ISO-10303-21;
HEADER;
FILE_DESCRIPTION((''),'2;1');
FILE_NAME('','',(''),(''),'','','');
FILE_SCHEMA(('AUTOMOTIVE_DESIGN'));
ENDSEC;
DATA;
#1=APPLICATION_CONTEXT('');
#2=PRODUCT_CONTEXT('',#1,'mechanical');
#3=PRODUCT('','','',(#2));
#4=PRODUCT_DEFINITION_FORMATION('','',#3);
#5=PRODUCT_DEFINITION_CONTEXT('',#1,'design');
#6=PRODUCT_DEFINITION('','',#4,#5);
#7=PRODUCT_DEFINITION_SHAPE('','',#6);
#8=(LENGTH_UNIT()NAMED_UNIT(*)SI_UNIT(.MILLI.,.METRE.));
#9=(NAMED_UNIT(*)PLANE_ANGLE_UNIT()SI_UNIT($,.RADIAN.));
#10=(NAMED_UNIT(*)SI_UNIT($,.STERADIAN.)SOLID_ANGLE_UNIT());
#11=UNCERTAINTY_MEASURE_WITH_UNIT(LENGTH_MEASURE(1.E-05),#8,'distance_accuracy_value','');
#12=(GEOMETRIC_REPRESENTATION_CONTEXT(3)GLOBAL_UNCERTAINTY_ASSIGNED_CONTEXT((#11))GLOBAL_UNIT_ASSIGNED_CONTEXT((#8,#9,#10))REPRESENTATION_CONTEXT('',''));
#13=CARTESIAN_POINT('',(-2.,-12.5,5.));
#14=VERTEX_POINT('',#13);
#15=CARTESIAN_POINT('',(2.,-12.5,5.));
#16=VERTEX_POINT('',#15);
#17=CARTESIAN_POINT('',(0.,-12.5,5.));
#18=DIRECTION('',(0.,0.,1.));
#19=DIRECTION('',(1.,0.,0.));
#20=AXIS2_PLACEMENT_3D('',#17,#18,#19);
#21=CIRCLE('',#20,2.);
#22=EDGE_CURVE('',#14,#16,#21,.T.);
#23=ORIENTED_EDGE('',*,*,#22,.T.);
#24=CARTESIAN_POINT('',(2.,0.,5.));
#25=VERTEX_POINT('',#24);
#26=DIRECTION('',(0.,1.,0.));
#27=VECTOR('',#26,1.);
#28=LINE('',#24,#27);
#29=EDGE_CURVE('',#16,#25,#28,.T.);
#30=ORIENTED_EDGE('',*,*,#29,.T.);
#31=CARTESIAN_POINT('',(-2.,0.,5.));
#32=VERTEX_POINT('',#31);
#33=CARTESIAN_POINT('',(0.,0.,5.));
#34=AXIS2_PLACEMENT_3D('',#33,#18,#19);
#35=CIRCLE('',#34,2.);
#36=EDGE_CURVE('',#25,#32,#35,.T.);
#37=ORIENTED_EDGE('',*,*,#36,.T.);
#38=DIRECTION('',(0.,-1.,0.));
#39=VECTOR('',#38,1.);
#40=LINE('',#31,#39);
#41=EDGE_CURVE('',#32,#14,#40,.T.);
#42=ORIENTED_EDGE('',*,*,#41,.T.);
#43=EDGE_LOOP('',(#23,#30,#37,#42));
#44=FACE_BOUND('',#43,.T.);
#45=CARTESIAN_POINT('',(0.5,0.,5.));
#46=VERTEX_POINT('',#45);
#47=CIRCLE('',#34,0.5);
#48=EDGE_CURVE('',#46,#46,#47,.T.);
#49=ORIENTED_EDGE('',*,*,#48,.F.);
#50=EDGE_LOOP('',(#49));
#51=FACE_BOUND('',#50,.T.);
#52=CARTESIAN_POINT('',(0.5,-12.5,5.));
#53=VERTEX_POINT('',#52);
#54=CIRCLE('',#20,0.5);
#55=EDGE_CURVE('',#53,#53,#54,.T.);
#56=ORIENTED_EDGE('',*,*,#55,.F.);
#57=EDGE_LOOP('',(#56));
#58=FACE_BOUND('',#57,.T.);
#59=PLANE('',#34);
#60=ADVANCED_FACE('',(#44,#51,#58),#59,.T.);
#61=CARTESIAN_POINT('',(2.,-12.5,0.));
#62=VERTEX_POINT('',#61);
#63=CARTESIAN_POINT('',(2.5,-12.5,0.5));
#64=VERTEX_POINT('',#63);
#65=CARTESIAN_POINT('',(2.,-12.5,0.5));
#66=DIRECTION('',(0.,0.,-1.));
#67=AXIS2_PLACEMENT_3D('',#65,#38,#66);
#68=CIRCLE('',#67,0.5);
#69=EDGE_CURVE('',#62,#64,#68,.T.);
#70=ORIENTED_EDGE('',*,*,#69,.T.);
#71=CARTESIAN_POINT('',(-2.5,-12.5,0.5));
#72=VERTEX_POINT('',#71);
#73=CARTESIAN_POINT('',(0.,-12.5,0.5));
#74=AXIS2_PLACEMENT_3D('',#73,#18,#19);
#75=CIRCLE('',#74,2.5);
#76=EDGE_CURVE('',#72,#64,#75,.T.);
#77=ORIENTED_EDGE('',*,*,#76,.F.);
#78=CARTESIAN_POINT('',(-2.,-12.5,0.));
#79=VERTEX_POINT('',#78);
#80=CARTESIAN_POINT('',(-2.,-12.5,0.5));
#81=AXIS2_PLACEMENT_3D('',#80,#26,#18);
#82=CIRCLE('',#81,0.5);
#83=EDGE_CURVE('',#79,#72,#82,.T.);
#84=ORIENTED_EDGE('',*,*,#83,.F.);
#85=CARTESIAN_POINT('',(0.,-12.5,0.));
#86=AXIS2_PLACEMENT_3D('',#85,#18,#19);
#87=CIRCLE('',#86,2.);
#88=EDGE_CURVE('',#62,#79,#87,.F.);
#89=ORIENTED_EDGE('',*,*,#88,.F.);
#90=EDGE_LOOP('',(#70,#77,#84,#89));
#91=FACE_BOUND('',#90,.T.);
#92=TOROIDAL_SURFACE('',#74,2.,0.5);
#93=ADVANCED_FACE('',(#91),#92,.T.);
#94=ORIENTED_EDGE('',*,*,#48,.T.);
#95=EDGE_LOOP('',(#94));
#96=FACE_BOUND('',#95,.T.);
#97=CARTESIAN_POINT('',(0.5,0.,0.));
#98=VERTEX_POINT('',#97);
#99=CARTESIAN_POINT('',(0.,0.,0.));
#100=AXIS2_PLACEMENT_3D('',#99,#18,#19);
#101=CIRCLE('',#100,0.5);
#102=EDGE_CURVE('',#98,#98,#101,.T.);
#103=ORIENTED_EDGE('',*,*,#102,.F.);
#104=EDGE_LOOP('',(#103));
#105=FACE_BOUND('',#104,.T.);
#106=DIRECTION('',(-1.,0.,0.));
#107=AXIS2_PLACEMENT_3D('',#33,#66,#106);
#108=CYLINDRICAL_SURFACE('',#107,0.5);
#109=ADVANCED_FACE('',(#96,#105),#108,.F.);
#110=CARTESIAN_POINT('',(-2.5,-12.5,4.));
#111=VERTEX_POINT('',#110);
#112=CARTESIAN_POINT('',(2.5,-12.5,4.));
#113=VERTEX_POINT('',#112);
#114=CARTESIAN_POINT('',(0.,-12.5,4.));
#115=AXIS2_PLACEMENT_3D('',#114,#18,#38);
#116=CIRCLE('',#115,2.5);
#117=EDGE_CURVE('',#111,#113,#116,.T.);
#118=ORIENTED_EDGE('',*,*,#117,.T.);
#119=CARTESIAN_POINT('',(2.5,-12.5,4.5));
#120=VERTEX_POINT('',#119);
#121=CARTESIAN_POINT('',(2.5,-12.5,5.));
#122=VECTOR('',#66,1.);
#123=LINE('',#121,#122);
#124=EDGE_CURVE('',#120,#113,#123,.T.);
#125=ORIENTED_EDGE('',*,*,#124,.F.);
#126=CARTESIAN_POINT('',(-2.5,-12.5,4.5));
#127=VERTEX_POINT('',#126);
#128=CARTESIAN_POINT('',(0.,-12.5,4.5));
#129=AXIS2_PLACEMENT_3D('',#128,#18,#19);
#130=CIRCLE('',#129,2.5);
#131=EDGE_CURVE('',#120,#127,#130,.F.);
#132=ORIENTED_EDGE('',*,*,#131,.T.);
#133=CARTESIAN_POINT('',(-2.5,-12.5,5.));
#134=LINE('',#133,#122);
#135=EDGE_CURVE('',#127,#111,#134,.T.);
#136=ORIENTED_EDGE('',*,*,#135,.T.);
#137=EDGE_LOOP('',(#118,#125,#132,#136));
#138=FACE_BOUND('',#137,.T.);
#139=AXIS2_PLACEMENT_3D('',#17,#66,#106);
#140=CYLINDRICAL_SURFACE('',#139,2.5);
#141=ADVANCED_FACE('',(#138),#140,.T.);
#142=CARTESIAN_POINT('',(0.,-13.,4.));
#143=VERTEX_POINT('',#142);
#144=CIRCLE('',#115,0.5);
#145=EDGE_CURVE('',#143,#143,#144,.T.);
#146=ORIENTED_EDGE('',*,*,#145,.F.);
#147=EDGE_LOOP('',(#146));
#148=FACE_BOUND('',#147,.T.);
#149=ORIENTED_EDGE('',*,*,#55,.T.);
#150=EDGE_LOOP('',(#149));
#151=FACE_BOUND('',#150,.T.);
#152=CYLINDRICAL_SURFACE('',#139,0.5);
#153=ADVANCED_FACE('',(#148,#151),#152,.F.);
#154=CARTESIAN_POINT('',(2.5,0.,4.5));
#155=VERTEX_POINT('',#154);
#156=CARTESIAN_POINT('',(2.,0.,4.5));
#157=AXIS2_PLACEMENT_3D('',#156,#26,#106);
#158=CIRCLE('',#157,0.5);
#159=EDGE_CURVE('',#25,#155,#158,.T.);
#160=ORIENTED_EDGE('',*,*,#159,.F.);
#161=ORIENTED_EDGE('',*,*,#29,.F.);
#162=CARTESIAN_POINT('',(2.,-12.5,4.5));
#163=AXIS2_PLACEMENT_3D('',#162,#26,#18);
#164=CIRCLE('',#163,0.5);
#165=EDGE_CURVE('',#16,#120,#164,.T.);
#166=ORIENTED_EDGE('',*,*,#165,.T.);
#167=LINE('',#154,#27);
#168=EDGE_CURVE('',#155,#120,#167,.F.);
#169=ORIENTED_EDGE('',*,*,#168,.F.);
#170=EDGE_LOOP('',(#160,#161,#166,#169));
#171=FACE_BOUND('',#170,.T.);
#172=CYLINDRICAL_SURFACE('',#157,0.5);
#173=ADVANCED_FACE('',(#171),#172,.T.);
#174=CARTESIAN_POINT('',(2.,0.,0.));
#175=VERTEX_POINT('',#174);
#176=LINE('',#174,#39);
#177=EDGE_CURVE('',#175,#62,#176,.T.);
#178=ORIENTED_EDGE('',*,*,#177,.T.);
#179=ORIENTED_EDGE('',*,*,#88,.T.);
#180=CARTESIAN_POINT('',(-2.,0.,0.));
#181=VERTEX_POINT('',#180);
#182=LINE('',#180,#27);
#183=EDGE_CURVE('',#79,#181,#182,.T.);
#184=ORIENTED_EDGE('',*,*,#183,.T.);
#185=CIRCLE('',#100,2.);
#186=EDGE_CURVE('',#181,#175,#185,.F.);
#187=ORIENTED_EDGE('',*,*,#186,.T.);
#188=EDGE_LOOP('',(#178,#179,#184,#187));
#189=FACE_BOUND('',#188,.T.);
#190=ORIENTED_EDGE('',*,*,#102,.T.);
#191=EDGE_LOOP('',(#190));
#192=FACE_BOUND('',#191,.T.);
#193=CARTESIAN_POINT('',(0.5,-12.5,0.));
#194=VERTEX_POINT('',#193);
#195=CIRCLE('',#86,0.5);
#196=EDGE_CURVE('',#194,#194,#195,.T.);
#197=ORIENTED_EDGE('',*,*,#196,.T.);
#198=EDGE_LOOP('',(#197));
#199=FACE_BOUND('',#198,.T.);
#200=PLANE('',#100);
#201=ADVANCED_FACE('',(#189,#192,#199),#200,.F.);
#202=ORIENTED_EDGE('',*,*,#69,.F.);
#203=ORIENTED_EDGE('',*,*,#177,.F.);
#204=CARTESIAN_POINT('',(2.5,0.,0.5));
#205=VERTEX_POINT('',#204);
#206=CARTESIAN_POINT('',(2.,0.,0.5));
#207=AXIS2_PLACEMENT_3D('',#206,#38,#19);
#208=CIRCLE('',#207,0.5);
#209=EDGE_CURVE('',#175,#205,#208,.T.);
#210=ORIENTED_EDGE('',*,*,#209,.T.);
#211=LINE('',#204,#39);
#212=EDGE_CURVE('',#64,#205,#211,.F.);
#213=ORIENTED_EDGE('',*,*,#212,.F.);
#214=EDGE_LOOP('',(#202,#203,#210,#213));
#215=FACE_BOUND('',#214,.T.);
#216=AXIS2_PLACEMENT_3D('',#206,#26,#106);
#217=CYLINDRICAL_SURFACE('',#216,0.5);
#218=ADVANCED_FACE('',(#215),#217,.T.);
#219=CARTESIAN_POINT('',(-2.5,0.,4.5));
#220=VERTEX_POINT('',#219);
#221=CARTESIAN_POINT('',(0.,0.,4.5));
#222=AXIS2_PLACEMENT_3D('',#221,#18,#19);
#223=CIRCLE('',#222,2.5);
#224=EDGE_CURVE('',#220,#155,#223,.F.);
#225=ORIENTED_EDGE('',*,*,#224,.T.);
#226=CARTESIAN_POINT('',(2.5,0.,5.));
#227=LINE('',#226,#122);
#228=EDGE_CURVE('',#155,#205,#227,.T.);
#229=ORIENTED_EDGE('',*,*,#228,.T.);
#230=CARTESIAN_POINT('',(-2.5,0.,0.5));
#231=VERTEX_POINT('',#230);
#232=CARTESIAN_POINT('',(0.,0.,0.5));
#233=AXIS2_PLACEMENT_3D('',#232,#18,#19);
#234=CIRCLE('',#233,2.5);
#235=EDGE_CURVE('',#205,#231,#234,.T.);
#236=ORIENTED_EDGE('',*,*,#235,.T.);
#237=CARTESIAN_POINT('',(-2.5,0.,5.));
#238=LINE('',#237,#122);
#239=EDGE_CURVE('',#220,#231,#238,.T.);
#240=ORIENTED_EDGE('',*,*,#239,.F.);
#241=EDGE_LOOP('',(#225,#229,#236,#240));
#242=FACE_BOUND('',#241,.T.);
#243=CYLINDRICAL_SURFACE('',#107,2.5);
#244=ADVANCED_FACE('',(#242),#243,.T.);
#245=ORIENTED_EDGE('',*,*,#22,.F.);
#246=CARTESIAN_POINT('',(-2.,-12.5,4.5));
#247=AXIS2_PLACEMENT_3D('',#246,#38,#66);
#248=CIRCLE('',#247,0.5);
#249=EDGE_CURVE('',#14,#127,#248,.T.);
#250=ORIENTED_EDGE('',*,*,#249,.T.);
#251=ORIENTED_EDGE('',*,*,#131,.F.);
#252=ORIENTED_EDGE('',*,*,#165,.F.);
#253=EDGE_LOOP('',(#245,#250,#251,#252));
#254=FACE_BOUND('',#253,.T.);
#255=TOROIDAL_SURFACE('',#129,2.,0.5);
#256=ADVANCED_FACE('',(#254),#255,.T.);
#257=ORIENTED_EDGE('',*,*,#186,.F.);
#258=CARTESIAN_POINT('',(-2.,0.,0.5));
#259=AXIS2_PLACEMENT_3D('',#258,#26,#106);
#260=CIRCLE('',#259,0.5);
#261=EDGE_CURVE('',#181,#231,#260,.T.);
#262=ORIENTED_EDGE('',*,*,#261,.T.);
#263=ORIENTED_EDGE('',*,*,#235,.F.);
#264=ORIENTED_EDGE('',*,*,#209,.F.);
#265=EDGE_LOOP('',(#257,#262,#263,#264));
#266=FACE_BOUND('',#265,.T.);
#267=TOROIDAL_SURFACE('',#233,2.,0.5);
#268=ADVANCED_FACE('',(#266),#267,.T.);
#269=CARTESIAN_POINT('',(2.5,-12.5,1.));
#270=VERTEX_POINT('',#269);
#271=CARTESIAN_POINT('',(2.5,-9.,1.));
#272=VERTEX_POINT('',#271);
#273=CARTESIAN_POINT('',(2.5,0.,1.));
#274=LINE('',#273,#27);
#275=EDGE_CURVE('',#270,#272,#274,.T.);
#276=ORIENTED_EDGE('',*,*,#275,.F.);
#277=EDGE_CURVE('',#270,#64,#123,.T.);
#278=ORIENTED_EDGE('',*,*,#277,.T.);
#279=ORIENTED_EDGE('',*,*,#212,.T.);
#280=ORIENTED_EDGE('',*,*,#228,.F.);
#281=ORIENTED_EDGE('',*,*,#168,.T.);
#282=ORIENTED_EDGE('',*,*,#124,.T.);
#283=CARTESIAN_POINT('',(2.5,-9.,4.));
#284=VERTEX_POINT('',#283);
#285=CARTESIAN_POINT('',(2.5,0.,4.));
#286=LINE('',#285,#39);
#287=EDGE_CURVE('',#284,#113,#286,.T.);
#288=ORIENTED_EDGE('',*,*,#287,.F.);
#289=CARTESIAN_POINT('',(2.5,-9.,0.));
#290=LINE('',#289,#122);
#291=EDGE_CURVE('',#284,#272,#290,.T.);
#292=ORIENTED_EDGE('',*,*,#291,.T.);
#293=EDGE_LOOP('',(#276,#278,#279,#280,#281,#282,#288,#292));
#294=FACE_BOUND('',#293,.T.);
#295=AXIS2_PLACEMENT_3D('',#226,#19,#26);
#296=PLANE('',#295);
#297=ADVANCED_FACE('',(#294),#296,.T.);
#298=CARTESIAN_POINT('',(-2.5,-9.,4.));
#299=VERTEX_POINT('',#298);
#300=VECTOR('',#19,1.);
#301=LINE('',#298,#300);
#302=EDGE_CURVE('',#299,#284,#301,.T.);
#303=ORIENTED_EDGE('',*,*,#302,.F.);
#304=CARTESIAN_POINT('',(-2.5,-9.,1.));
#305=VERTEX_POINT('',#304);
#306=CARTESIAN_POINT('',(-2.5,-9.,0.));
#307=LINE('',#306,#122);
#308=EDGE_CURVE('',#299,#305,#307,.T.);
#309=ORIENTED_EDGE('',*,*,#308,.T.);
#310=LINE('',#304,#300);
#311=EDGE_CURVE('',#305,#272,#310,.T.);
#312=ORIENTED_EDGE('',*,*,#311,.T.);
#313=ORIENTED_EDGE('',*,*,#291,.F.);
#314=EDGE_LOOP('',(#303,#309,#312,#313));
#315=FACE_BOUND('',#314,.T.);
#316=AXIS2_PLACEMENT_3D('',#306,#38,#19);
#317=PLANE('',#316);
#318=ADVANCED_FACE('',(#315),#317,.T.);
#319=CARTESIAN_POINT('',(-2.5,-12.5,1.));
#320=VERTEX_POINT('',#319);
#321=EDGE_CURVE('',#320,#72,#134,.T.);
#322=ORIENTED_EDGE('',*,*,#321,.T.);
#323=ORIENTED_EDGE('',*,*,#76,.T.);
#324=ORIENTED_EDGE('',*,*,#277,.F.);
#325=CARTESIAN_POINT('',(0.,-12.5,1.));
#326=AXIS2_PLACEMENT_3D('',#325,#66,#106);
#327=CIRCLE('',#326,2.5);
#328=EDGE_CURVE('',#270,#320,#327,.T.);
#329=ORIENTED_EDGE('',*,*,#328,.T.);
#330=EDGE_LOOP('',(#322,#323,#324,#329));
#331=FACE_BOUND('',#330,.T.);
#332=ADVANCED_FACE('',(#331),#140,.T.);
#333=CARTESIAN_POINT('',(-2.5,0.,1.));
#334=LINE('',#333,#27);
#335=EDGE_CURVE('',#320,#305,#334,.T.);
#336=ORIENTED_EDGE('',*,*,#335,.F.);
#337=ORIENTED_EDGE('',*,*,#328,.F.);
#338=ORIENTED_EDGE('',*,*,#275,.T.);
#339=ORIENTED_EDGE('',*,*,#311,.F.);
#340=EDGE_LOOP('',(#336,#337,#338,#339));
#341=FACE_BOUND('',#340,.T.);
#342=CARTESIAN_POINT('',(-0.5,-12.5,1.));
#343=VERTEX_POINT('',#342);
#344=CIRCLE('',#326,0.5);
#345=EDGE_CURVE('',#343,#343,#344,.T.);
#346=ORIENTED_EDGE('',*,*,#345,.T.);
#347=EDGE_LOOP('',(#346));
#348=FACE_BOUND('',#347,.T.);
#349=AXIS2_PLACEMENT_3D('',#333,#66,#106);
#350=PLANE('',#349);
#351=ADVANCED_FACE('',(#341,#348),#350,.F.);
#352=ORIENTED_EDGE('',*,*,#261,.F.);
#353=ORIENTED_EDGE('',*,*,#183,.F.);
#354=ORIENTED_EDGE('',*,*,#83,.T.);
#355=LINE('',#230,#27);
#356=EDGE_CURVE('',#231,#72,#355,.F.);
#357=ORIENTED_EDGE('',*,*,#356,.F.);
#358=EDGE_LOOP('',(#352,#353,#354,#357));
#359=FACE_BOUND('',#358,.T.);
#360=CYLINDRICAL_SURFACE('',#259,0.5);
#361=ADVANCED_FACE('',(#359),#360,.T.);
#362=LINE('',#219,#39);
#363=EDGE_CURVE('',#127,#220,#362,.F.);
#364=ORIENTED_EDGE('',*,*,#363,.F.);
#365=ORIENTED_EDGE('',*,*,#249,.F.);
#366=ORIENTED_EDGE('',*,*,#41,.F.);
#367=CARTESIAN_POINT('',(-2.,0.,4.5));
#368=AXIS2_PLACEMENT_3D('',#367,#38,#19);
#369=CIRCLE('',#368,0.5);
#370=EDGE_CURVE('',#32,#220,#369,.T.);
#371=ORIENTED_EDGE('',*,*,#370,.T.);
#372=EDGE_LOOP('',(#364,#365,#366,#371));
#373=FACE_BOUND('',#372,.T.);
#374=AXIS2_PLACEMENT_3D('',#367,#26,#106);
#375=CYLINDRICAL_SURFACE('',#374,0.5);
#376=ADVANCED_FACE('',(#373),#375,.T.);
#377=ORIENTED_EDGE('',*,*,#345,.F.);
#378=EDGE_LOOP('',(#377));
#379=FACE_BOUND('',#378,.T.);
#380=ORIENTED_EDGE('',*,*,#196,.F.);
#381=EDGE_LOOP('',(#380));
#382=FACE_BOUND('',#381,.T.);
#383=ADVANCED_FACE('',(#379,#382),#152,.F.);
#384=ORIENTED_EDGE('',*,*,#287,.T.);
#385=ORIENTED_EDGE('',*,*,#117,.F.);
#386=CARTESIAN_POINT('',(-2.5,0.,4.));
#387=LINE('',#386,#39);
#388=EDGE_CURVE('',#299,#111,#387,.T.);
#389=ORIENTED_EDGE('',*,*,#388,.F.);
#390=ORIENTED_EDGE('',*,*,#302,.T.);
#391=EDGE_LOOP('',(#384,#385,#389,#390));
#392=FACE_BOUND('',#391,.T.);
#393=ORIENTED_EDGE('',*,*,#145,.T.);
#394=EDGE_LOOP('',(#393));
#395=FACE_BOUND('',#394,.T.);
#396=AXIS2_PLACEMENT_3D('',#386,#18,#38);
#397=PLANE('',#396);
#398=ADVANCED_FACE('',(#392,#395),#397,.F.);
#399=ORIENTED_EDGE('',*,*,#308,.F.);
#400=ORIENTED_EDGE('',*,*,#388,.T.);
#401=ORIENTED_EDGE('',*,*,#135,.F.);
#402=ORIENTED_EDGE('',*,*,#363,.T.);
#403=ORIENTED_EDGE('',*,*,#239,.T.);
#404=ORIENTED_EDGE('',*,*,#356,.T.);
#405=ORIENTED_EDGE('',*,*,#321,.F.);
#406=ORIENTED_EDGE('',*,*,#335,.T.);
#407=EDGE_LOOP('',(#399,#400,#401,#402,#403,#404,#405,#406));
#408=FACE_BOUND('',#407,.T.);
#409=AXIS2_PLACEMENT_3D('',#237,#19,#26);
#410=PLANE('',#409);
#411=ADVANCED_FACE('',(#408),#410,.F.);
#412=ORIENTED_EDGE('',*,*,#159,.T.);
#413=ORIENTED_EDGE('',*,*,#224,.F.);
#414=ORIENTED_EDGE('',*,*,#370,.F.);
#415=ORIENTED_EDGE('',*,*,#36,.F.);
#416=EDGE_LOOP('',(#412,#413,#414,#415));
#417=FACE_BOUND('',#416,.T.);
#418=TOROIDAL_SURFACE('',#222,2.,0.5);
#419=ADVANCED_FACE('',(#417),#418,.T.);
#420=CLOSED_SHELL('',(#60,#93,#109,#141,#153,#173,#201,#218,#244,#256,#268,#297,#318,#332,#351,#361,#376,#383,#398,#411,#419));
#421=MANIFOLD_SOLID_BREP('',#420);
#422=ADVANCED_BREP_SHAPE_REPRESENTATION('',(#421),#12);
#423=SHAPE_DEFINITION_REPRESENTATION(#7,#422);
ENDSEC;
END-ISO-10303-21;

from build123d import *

# Parameters (mm, degrees)
CROQUIS1_R              = 0.5
SALIENTE_EXTRUIR2_DEPTH = 5
CROQUIS3_W              = 3
CROQUIS3_H              = 3.5
CROQUIS3_H_2            = 3.121183209
CORTAR_EXTRUIR2_DEPTH   = 5
REDONDEO1_R             = 0.5
REDONDEO2_R             = 0.5


with BuildPart() as part:
    # Croquis1 → Saliente-Extruir2 (new body)
    with BuildSketch(Plane.XY):
        with BuildLine():
            Line((-2.5, 0), (-2.5, -12.5))
            ThreePointArc((-2.5, -12.5), (0, -15), (2.5, -12.5))
            Line((2.5, -12.5), (2.5, 0))
            ThreePointArc((2.5, 0), (0, 2.5), (-2.5, 0))
        make_face()
        Circle(CROQUIS1_R, mode=Mode.SUBTRACT)
        with Locations((0, -12.5)):
            Circle(CROQUIS1_R, mode=Mode.SUBTRACT)
    extrude(amount=SALIENTE_EXTRUIR2_DEPTH)

    # Croquis3 → Cortar-Extruir2 (cut)
    with BuildSketch(Plane(origin=(2.5, 0, 0), x_dir=(0, 0, -1), z_dir=(1, 0, 0))):
        with Locations((-2.5, -10.75)):
            Rectangle(CROQUIS3_W, CROQUIS3_H)
        with Locations((-2.5, -14.060591605)):
            Rectangle(CROQUIS3_W, CROQUIS3_H_2)
    extrude(amount=-CORTAR_EXTRUIR2_DEPTH, mode=Mode.SUBTRACT)

    # Redondeo1
    redondeo1_edges = [part.edges().sort_by_distance(p)[0] for p in [
        (-2.5, -6.25, 5),
        (0, -15, 5),
        (2.5, -6.25, 5),
        (0, 2.5, 5),
    ]]
    fillet(redondeo1_edges, radius=REDONDEO1_R)

    # Redondeo2
    redondeo2_edges = [part.edges().sort_by_distance(p)[0] for p in [
        (-2.5, -6.25, 0),
        (0, 2.5, 0),
        (2.5, -6.25, 0),
        (0, -15, 0),
    ]]
    fillet(redondeo2_edges, radius=REDONDEO2_R)


solid = part.part
